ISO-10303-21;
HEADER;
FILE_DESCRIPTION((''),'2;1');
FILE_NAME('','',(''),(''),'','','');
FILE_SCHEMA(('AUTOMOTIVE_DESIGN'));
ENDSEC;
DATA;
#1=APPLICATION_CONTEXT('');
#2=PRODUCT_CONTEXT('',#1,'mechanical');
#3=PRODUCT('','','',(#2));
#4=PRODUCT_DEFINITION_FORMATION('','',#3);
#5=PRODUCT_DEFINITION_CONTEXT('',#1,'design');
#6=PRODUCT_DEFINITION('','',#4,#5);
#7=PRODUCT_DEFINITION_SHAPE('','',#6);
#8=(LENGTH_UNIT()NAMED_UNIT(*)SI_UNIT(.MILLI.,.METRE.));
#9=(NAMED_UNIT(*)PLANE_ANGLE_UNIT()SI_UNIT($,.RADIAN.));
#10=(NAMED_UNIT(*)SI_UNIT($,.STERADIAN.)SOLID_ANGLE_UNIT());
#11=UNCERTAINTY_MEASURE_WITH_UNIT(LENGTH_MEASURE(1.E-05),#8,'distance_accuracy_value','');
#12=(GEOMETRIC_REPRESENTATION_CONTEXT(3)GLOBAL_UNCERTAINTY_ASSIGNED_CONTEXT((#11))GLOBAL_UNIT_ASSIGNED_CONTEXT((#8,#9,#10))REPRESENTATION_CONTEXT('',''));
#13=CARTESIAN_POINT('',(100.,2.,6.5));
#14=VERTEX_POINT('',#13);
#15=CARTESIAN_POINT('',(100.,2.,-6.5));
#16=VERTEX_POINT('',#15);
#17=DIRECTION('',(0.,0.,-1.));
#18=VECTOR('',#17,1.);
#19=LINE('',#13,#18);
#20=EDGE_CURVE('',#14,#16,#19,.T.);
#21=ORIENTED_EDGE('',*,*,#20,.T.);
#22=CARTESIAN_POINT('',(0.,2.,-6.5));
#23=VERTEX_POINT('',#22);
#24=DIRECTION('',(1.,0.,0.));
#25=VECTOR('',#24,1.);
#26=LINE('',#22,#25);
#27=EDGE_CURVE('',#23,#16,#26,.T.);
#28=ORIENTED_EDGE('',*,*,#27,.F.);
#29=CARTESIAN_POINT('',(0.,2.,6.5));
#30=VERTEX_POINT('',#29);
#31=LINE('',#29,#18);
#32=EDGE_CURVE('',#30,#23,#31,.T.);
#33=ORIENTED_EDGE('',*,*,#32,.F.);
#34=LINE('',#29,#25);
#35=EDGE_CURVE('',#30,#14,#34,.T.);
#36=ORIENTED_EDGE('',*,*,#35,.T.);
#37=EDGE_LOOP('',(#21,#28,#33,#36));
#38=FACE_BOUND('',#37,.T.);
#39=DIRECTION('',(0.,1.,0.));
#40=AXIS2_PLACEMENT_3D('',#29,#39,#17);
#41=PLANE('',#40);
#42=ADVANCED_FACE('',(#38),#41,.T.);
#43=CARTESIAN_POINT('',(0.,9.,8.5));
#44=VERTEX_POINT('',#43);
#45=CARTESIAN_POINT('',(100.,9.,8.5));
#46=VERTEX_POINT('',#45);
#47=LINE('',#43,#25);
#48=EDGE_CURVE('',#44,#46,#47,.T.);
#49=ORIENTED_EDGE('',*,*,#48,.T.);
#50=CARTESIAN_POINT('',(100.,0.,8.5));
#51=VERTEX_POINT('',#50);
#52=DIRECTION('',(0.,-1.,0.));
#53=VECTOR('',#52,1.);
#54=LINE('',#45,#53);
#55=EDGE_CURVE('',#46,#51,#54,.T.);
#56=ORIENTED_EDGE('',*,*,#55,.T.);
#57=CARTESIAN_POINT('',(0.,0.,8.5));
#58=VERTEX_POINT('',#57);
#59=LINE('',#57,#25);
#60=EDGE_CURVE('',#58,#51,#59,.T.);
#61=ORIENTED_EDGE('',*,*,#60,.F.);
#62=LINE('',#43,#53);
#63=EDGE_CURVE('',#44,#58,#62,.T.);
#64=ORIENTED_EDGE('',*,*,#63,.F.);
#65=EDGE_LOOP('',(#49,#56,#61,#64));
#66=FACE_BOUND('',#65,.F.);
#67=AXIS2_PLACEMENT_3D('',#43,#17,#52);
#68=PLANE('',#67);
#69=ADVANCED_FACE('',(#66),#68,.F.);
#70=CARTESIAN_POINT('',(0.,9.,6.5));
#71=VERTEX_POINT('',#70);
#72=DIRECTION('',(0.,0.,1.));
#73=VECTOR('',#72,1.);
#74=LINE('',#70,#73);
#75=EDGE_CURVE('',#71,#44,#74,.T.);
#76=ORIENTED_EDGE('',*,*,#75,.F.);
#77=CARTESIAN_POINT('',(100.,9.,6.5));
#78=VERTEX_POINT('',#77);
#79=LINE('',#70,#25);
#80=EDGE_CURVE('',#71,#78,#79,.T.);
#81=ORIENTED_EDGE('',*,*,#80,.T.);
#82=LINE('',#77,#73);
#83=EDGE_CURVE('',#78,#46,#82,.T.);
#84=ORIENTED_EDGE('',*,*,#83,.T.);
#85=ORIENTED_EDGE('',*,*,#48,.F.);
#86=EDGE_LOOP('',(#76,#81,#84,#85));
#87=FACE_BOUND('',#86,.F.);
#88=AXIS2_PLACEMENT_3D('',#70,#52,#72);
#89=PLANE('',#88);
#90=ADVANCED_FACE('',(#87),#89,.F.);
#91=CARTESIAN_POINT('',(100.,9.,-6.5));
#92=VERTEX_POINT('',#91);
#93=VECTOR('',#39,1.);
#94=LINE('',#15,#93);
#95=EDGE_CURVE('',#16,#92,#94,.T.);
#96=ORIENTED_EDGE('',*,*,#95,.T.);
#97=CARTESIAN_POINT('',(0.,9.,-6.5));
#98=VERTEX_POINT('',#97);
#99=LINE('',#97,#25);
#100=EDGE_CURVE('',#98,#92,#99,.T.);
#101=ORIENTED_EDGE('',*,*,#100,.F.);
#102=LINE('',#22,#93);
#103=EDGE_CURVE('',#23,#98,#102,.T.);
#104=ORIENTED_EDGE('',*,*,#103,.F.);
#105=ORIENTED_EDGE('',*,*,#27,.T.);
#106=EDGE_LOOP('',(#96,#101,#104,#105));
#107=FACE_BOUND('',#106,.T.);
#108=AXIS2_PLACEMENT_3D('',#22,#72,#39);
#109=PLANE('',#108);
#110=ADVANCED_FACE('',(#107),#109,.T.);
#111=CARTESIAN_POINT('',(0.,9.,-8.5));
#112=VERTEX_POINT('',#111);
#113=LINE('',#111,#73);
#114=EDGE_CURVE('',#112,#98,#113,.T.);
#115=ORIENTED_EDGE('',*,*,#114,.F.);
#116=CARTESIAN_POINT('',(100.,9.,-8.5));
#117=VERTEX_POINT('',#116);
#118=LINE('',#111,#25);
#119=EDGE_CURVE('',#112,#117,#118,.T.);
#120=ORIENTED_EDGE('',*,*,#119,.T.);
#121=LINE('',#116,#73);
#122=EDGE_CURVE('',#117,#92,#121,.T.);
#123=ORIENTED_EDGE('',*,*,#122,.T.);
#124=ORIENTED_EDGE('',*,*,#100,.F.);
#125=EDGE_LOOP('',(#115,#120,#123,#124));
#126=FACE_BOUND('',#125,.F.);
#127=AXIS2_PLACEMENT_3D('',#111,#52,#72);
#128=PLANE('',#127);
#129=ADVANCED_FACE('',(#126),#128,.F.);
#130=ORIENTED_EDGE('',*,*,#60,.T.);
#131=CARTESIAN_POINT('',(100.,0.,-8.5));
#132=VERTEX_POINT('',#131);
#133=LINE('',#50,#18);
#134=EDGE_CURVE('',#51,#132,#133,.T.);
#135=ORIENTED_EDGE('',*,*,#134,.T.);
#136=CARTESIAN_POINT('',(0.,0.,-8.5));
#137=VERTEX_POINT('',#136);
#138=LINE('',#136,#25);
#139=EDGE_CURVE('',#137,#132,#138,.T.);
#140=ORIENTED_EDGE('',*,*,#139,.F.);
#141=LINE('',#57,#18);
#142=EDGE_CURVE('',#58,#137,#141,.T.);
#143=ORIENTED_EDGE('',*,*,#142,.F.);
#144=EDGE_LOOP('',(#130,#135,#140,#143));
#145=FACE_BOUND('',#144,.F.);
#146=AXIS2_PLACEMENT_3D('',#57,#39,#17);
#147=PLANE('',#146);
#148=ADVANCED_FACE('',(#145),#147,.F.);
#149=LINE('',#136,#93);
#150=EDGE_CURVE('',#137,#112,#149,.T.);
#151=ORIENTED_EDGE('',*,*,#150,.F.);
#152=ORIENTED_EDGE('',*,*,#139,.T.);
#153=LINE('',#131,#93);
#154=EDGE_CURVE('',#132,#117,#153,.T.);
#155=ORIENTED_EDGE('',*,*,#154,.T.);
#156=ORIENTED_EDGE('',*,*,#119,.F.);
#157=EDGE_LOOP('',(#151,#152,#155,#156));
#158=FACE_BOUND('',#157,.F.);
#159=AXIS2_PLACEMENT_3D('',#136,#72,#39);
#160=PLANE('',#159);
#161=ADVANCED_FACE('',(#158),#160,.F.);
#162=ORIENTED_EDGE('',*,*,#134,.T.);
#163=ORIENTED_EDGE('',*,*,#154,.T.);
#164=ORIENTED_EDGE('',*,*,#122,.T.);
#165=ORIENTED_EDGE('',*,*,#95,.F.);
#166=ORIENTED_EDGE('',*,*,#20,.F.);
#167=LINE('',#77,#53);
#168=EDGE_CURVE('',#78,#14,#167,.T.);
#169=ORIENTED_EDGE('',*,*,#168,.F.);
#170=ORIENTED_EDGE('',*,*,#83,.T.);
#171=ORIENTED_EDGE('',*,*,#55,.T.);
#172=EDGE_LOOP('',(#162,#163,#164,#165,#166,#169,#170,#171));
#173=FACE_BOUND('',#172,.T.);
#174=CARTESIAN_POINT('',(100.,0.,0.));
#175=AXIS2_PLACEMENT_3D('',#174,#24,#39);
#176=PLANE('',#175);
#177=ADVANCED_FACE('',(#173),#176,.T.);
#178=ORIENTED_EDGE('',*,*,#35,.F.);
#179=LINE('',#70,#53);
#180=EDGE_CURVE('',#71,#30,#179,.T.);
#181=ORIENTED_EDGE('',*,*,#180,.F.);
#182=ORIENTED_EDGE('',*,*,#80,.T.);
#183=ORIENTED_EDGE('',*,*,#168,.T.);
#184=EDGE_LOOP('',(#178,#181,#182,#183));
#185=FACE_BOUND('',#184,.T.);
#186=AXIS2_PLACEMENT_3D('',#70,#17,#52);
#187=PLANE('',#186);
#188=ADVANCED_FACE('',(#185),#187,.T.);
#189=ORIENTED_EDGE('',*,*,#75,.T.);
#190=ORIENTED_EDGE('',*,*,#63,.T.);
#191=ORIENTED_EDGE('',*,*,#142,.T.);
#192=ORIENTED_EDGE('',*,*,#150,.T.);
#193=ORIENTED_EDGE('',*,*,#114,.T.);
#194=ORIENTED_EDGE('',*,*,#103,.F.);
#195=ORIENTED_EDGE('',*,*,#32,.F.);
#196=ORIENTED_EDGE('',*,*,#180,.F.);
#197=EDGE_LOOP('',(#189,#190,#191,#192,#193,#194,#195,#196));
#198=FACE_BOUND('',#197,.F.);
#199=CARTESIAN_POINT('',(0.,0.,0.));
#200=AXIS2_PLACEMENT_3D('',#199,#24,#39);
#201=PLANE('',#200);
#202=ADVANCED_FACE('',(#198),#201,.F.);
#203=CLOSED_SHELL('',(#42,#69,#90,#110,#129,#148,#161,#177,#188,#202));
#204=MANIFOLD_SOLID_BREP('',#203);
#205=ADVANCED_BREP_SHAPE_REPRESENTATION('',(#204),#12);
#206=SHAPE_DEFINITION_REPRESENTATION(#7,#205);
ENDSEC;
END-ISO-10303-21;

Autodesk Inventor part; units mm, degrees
ref_plane "YZ Plane" through (0, 0, 0) normal (1, 0, 0) x (0, 1, 0)
ref_plane "XZ Plane" through (0, 0, 0) normal (0, 1, 0) x (-1, 0, 0)
ref_plane "XY Plane" through (0, 0, 0) normal (0, 0, 1) x (1, 0, 0)
sketch "Sketch1" plane through (0, 0, 0) normal (1, 0, 0) x (0, 1, 0)
  line L0 (9, 8.5) -> (0, 8.5)
  line L1 (0, 8.5) -> (0, -8.5)
  line L2 (0, -8.5) -> (9, -8.5)
  line L3 (9, -8.5) -> (9, -6.5)
  line L4 (9, 6.5) -> (2, 6.5)
  line L5 (2, 6.5) -> (2, -6.5)
  line L6 (2, -6.5) -> (9, -6.5)
  line L7 (9, -6.5) -> (9, 6.5) construction
  line L8 (9, 6.5) -> (9, 8.5)
  line L9 (9, -6.5) -> (9, 6.5) construction
  point P0 (0, 0)
  point P1 (0, 0)
  dimension "d0" = 9
  dimension "d1" = 17
  dimension "d3" = 13
  dimension "d4" = 2
  dimension "d5" = 2
  dimension "d6" = 2
extrude "Extrusion1" add sketch "Sketch1" along normal blind 100
equation "\"d5\" = d6"
properties part number "Channel"
